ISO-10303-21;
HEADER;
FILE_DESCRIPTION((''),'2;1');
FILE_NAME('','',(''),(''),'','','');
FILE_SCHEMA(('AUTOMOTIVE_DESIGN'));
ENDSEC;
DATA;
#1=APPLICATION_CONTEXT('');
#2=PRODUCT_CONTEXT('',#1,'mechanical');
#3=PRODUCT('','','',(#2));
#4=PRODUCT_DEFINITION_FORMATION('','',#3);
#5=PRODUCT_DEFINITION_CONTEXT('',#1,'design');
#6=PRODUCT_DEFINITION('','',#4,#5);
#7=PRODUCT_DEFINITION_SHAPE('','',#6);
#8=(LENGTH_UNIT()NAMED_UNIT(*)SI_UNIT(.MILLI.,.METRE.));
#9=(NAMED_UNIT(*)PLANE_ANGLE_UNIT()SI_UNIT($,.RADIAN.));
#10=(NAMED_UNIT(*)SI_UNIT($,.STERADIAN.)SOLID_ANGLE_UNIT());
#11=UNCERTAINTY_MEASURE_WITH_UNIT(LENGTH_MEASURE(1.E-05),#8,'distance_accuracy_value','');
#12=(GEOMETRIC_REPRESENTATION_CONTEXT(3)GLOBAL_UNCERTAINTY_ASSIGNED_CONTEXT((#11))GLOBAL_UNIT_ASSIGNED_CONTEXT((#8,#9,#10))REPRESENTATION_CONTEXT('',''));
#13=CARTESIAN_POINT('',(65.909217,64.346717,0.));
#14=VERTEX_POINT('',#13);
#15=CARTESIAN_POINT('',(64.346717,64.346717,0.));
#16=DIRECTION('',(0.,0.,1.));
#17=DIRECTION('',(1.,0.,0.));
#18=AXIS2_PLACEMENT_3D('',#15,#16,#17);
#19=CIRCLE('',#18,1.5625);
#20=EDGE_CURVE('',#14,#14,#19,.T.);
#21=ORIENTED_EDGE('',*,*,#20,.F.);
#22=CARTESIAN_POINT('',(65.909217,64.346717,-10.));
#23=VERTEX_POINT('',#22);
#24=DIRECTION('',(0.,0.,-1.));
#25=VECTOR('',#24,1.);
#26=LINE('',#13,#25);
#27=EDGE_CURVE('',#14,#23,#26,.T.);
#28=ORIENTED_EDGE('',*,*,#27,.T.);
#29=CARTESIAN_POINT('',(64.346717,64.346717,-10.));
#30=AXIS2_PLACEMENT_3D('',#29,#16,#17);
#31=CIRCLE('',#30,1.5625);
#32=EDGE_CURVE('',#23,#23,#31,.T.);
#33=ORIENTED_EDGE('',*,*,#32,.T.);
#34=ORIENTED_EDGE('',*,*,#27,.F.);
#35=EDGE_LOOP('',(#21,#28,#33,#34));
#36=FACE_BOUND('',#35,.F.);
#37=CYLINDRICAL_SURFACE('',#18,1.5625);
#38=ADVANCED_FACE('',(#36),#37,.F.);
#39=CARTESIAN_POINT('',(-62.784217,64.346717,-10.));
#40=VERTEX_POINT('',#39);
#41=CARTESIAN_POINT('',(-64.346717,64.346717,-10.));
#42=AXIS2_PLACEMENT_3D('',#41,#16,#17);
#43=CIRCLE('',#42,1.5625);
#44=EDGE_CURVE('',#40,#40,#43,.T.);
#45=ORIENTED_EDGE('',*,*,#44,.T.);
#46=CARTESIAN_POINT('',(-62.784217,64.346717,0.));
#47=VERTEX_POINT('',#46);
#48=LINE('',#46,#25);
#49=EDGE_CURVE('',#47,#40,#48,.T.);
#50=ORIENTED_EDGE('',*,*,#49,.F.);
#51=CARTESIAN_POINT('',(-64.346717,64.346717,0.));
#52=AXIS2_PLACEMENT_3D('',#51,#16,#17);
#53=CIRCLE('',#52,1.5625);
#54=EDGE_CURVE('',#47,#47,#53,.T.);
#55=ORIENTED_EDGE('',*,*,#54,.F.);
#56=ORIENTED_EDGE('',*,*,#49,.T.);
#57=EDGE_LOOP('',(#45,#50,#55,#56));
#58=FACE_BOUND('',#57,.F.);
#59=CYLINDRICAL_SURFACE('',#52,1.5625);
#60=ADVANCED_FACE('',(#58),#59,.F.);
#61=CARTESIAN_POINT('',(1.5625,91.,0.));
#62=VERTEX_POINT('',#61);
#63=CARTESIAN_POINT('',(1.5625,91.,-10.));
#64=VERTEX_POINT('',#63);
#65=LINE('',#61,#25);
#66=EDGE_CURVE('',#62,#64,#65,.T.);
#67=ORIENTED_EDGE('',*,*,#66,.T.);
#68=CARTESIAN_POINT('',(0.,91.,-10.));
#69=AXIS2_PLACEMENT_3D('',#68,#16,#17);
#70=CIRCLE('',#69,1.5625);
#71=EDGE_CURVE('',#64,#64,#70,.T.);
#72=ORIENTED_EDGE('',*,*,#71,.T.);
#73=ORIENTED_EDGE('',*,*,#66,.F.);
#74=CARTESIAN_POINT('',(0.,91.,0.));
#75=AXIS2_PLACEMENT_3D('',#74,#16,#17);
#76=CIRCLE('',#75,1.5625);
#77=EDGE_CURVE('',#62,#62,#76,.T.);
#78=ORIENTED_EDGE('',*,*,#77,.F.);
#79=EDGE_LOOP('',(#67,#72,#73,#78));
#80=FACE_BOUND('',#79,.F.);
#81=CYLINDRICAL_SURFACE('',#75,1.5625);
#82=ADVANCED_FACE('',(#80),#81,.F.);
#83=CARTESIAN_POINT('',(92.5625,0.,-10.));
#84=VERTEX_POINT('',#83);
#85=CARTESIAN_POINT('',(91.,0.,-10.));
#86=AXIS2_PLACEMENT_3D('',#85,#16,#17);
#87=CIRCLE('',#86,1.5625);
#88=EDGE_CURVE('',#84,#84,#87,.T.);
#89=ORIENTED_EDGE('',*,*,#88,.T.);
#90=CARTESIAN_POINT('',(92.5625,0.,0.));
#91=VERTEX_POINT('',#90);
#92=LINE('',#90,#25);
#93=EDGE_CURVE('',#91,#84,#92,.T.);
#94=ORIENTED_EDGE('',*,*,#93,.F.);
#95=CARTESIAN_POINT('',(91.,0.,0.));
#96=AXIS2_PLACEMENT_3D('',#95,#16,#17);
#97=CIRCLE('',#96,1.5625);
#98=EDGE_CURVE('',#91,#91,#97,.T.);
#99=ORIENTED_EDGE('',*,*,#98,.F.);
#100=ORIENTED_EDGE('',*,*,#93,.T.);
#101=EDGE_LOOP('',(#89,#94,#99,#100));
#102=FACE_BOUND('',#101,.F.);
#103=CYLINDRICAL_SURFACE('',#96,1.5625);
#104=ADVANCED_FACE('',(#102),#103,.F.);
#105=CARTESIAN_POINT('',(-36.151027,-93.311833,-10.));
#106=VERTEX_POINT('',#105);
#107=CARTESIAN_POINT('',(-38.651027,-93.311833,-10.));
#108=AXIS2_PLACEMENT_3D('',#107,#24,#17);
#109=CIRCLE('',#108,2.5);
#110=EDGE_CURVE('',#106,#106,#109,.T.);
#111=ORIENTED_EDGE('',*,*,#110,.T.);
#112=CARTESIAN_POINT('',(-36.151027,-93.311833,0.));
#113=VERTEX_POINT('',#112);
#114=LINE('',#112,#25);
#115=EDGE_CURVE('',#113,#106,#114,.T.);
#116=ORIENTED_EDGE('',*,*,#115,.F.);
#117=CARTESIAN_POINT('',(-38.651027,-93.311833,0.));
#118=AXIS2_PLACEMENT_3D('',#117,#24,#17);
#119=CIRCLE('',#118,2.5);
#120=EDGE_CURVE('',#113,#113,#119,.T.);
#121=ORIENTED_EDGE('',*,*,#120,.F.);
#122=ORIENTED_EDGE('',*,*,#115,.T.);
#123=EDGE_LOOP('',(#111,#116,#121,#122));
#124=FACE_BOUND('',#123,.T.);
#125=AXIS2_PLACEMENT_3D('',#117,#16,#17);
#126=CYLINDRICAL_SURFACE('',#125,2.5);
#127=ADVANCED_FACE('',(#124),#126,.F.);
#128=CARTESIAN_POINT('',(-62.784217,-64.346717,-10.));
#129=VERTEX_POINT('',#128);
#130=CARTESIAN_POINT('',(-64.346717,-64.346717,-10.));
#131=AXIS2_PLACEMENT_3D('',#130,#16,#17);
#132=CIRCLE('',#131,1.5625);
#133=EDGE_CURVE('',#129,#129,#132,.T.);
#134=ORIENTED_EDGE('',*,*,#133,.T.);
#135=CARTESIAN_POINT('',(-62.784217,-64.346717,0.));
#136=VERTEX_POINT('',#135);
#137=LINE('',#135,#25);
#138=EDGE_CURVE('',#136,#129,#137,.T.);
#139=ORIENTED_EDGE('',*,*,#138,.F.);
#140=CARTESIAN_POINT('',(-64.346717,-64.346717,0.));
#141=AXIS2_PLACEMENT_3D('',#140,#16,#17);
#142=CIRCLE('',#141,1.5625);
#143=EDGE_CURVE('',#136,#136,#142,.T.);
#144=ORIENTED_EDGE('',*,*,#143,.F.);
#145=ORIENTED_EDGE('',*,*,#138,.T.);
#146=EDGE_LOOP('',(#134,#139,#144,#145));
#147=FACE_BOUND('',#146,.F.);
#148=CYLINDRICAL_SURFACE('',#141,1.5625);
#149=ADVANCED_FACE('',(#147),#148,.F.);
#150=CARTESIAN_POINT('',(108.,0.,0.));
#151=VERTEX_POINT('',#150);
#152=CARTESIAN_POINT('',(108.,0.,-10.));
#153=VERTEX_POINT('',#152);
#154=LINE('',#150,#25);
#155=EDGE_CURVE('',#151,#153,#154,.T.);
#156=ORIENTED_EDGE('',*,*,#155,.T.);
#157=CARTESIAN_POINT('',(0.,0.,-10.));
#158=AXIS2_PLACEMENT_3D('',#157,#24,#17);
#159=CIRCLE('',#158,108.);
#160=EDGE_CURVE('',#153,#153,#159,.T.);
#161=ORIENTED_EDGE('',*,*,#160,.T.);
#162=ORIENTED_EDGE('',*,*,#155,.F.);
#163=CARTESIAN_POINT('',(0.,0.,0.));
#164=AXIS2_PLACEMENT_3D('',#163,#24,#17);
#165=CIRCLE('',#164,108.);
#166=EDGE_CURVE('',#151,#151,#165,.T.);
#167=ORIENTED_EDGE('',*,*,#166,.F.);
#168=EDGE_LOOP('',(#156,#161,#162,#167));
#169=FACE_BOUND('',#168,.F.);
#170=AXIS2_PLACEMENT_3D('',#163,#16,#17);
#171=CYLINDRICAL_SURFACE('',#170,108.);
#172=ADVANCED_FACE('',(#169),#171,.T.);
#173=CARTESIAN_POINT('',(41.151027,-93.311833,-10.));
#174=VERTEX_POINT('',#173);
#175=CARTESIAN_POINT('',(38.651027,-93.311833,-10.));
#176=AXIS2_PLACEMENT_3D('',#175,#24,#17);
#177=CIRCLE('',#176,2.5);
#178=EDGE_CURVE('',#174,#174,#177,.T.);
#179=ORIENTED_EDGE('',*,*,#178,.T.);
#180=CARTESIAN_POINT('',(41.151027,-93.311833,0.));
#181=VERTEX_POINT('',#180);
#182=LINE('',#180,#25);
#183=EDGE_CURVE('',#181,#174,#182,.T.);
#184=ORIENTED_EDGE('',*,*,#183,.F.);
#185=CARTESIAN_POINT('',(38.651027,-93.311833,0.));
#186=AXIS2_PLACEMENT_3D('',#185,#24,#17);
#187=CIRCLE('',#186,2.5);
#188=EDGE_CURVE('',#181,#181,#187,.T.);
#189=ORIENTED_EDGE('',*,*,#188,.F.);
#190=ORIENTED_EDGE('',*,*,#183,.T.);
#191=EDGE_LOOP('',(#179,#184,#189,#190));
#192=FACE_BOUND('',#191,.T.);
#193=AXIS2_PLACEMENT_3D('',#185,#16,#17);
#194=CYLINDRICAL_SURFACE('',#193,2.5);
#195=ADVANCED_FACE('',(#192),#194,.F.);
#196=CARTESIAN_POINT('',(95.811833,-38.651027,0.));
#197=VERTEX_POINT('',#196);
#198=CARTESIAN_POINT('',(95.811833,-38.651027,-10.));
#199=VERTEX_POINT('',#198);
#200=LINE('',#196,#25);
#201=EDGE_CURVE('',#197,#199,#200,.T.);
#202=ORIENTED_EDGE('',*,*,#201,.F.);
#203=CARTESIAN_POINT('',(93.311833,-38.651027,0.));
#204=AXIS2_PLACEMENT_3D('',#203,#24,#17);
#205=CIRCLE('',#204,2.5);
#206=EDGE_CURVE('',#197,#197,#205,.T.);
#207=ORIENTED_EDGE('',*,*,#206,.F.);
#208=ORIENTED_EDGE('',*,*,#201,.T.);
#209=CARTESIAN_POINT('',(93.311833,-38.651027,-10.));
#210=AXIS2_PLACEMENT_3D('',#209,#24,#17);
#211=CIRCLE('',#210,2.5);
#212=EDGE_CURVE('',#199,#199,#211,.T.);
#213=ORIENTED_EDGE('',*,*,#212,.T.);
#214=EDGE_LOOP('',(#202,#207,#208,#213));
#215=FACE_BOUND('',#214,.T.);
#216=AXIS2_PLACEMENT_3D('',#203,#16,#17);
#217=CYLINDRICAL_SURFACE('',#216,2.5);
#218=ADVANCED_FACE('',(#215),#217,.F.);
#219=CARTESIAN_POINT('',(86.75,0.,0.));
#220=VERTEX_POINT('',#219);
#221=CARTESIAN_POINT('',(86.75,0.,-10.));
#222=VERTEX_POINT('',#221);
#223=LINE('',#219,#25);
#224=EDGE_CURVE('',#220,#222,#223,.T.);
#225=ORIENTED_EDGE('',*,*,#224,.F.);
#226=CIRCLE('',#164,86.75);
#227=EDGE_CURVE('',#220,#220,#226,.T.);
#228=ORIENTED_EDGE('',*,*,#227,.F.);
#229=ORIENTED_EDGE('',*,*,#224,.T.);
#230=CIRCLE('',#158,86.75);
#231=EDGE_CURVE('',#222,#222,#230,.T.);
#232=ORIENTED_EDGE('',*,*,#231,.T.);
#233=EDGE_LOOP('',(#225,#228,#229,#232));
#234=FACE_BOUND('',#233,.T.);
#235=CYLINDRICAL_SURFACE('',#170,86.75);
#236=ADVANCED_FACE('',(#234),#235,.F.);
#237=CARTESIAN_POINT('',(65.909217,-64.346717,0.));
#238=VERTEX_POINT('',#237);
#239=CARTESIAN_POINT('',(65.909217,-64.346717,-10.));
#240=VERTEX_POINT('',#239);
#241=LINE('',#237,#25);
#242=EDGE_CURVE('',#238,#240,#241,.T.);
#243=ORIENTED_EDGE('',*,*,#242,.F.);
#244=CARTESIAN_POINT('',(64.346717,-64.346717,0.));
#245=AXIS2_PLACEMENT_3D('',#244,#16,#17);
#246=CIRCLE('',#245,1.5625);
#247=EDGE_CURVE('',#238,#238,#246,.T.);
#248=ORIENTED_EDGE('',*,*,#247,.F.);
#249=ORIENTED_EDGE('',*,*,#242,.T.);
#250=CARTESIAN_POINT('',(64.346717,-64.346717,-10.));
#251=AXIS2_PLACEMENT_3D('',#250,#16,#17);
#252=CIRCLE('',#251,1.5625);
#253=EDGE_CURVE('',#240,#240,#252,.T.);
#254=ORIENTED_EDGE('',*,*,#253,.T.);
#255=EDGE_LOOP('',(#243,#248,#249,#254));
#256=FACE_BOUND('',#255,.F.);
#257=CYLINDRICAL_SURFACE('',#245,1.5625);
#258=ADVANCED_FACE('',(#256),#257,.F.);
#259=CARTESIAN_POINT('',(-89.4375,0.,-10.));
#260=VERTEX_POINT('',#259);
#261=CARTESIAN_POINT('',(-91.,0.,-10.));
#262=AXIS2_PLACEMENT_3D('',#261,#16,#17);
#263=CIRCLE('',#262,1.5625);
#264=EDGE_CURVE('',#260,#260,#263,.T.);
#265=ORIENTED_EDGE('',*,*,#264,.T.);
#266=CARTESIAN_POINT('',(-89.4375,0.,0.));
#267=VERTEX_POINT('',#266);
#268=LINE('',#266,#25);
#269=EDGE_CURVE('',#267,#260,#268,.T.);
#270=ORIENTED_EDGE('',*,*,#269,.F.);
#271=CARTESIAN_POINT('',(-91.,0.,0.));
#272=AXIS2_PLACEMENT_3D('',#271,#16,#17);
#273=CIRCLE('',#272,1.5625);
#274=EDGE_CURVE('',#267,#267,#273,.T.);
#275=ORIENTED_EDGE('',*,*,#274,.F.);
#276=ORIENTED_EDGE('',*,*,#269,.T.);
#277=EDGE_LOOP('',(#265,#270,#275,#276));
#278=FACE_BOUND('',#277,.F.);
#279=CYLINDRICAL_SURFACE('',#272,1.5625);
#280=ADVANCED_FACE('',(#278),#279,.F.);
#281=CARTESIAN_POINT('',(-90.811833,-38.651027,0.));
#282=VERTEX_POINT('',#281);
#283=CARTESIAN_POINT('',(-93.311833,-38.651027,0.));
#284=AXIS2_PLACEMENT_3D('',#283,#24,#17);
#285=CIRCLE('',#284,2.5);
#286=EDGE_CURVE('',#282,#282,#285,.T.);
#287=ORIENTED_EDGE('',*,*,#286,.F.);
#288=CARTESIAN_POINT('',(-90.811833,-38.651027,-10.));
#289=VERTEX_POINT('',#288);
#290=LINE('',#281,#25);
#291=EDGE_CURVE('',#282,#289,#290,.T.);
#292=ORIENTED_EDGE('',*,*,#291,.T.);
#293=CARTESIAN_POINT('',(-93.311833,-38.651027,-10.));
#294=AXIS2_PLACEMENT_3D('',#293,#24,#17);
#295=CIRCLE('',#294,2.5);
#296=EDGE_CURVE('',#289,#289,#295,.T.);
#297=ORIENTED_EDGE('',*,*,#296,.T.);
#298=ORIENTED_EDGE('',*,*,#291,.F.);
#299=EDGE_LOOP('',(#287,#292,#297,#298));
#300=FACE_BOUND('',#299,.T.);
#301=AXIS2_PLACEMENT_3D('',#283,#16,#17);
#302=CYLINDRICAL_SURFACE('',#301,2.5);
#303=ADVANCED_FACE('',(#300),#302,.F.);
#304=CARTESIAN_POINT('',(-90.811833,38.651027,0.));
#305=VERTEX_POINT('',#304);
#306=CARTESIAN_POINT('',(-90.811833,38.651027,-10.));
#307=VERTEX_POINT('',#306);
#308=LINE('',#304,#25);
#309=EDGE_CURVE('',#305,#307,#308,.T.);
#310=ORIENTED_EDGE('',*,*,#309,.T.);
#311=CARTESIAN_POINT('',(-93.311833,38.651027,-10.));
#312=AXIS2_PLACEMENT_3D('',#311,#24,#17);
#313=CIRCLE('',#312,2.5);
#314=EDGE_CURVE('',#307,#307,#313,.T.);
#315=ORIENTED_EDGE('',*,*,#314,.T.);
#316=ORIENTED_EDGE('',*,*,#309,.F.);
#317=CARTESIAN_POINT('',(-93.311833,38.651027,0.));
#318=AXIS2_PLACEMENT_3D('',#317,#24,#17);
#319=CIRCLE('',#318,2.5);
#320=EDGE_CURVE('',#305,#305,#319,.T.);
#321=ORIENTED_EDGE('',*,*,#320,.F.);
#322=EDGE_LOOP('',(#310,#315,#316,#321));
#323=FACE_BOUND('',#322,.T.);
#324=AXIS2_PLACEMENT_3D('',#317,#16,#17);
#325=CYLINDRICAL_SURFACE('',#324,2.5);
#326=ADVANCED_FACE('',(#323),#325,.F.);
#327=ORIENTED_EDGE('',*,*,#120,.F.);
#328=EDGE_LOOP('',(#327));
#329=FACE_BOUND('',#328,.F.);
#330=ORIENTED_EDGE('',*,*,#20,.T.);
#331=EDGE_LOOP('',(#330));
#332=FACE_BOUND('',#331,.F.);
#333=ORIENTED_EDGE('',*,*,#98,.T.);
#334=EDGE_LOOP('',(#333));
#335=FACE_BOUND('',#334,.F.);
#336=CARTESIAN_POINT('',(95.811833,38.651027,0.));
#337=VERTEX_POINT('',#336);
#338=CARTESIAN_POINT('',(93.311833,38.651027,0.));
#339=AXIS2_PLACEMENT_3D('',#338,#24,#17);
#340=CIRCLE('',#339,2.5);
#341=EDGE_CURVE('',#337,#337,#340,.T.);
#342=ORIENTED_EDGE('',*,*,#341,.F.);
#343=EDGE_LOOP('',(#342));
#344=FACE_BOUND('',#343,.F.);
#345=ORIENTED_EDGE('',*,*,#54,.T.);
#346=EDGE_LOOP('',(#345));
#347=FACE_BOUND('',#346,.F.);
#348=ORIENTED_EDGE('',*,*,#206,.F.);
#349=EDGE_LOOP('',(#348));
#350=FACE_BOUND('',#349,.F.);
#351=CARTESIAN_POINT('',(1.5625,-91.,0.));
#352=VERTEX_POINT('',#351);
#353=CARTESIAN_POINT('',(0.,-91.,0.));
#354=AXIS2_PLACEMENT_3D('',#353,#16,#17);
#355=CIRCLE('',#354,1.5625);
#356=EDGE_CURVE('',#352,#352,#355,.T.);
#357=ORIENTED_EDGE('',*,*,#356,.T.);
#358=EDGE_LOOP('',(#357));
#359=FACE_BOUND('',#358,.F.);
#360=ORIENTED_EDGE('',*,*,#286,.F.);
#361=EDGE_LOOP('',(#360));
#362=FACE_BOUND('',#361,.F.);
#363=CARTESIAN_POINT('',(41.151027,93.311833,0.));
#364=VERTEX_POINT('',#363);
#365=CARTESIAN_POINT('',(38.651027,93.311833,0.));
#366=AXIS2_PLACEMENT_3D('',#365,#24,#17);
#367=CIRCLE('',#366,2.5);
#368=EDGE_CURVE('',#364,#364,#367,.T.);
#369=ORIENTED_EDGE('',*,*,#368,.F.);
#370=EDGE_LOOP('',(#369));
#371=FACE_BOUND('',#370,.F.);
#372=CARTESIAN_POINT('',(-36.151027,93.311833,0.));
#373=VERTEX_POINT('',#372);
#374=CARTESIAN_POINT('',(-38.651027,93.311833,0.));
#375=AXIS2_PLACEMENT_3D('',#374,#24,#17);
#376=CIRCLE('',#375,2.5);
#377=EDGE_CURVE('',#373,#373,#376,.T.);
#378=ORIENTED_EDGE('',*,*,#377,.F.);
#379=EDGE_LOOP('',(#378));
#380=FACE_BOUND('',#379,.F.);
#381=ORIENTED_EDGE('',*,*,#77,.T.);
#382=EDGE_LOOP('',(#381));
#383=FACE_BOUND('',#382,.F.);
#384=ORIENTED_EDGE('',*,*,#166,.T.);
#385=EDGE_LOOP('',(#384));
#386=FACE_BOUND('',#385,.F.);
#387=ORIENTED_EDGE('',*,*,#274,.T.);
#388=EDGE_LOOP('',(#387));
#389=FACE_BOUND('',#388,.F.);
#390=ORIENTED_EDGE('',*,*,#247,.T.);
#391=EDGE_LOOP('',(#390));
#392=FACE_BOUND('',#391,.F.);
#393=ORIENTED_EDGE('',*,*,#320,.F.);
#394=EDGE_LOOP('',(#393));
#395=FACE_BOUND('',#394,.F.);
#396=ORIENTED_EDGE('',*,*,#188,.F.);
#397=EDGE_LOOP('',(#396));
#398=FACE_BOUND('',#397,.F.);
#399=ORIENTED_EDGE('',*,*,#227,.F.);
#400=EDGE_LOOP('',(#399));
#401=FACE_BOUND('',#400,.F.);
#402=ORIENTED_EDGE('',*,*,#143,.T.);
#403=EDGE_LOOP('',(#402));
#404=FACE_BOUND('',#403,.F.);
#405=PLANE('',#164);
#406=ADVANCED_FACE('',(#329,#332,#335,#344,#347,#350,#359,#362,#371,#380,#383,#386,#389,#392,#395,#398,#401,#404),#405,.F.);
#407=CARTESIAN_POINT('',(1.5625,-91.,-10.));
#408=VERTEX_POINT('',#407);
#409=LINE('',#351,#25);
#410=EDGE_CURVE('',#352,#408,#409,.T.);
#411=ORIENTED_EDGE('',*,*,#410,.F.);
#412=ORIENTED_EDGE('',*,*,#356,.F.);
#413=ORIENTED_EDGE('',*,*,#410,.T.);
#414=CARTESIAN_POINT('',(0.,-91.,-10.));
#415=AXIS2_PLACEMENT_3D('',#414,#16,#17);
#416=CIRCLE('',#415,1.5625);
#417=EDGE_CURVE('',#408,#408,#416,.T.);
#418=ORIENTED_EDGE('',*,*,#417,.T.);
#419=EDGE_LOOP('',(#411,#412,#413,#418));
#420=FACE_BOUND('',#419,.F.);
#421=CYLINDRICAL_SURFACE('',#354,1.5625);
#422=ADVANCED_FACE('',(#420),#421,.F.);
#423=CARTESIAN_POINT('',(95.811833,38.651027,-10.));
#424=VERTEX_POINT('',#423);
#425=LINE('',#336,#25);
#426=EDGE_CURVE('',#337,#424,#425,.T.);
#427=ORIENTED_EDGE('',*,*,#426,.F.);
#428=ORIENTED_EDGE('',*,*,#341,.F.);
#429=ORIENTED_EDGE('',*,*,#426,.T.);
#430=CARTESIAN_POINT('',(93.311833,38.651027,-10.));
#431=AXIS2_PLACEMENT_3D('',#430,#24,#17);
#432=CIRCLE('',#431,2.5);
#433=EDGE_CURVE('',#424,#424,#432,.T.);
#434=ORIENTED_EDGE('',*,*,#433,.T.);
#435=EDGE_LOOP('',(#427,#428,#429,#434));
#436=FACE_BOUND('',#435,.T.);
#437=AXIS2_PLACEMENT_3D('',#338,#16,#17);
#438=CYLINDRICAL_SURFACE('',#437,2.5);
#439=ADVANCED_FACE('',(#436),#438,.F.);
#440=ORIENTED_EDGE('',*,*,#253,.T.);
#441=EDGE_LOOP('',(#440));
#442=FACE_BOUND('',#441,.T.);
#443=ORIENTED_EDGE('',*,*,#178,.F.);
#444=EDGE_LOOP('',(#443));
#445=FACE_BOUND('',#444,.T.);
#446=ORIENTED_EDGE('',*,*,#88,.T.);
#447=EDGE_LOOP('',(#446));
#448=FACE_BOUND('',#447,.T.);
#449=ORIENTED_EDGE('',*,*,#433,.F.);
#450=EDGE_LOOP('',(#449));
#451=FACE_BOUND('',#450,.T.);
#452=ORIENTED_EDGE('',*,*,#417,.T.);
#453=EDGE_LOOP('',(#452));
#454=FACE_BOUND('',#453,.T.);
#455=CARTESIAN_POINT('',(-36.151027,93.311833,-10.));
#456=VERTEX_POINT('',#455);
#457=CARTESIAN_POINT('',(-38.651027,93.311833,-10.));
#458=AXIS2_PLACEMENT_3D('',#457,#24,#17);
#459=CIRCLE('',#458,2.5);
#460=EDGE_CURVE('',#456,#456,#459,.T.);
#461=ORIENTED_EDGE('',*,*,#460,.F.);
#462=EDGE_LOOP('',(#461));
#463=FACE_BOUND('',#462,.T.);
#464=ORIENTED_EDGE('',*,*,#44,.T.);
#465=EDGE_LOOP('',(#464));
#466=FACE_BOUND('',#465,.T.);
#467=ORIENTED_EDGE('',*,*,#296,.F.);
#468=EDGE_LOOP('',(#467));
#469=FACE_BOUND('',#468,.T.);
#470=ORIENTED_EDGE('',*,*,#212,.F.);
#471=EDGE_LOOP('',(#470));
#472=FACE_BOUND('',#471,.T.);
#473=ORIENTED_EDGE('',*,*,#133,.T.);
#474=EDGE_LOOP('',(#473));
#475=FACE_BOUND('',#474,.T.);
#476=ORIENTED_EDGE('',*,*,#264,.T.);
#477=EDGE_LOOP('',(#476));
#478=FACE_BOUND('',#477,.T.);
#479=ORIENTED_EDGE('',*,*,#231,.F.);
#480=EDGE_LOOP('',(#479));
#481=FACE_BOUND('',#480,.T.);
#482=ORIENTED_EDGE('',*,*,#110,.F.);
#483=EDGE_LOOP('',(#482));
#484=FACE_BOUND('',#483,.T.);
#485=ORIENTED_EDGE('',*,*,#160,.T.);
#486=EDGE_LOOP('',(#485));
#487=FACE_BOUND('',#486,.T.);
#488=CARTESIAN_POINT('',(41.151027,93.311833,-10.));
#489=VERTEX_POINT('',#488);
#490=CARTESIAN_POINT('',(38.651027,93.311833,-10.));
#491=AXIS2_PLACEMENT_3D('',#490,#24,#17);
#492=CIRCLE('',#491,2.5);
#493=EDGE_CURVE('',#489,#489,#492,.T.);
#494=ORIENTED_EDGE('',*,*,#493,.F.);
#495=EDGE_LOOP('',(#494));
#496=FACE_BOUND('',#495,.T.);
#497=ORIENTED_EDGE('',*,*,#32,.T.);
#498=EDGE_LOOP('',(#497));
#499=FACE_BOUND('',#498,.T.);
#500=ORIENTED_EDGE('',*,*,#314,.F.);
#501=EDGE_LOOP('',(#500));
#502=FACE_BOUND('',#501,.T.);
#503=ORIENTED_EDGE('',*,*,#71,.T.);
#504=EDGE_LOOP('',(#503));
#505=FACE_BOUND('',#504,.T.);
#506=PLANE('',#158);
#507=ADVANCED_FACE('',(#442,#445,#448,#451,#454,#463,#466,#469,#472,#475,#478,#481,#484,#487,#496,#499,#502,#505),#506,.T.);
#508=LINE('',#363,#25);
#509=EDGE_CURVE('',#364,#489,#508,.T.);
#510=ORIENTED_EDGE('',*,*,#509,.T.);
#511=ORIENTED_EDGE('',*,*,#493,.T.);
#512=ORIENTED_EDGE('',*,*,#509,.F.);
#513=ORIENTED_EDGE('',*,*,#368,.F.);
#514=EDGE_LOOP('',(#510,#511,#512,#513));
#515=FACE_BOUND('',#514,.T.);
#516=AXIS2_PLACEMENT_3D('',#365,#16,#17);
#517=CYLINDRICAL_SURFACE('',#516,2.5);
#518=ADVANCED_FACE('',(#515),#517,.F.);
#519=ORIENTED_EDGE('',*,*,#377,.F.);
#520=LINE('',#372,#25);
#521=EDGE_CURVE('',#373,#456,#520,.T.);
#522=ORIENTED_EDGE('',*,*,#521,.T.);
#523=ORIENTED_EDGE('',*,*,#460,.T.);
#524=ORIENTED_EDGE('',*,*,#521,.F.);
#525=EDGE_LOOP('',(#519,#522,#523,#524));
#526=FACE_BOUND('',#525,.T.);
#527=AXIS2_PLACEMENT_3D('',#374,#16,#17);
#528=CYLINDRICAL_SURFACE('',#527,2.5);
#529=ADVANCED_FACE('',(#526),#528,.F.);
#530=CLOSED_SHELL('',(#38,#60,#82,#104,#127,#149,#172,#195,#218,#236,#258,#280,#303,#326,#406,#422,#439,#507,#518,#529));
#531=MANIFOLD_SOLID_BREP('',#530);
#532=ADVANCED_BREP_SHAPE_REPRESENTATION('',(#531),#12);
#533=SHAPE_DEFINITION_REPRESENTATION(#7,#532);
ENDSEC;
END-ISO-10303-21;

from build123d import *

# Parameters (mm, degrees)
SKETCH001_R       = 108
SKETCH001_R_2     = 86.75
SKETCH001_R_3     = 2.5
PAD_DEPTH         = 10
SKETCH_R          = 1.5625
POCKET_DEPTH      = 10.001
POCKET_DEPTH_BACK = 0.001


with BuildPart() as part:
    # Sketch001 → Pad (new body)
    with BuildSketch(Plane(origin=(0, 0, 0), x_dir=(1, 0, 0), z_dir=(0, 0, -1))):
        Circle(SKETCH001_R)
        Circle(SKETCH001_R_2, mode=Mode.SUBTRACT)
        with Locations((38.651027, 93.311833)):
            Circle(SKETCH001_R_3, mode=Mode.SUBTRACT)
        with Locations((93.311833, 38.651027)):
            Circle(SKETCH001_R_3, mode=Mode.SUBTRACT)
        with Locations((93.311833, -38.651027)):
            Circle(SKETCH001_R_3, mode=Mode.SUBTRACT)
        with Locations((38.651027, -93.311833)):
            Circle(SKETCH001_R_3, mode=Mode.SUBTRACT)
        with Locations((-38.651027, 93.311833)):
            Circle(SKETCH001_R_3, mode=Mode.SUBTRACT)
        with Locations((-93.311833, 38.651027)):
            Circle(SKETCH001_R_3, mode=Mode.SUBTRACT)
        with Locations((-93.311833, -38.651027)):
            Circle(SKETCH001_R_3, mode=Mode.SUBTRACT)
        with Locations((-38.651027, -93.311833)):
            Circle(SKETCH001_R_3, mode=Mode.SUBTRACT)
    extrude(amount=PAD_DEPTH)

    # Sketch → Pocket (cut, two sides)
    with BuildSketch(Plane.XY) as pocket_sk:
        with Locations((64.346717, 64.346717)):
            Circle(SKETCH_R)
        with Locations((0, 91)):
            Circle(SKETCH_R)
        with Locations((91, 0)):
            Circle(SKETCH_R)
        with Locations((64.346717, -64.346717)):
            Circle(SKETCH_R)
        with Locations((0, -91)):
            Circle(SKETCH_R)
        with Locations((-91, 0)):
            Circle(SKETCH_R)
        with Locations((-64.346717, -64.346717)):
            Circle(SKETCH_R)
        with Locations((-64.346717, 64.346717)):
            Circle(SKETCH_R)
    extrude(amount=-POCKET_DEPTH, mode=Mode.SUBTRACT)
    extrude(pocket_sk.sketch, amount=POCKET_DEPTH_BACK, mode=Mode.SUBTRACT)


solid = part.part
